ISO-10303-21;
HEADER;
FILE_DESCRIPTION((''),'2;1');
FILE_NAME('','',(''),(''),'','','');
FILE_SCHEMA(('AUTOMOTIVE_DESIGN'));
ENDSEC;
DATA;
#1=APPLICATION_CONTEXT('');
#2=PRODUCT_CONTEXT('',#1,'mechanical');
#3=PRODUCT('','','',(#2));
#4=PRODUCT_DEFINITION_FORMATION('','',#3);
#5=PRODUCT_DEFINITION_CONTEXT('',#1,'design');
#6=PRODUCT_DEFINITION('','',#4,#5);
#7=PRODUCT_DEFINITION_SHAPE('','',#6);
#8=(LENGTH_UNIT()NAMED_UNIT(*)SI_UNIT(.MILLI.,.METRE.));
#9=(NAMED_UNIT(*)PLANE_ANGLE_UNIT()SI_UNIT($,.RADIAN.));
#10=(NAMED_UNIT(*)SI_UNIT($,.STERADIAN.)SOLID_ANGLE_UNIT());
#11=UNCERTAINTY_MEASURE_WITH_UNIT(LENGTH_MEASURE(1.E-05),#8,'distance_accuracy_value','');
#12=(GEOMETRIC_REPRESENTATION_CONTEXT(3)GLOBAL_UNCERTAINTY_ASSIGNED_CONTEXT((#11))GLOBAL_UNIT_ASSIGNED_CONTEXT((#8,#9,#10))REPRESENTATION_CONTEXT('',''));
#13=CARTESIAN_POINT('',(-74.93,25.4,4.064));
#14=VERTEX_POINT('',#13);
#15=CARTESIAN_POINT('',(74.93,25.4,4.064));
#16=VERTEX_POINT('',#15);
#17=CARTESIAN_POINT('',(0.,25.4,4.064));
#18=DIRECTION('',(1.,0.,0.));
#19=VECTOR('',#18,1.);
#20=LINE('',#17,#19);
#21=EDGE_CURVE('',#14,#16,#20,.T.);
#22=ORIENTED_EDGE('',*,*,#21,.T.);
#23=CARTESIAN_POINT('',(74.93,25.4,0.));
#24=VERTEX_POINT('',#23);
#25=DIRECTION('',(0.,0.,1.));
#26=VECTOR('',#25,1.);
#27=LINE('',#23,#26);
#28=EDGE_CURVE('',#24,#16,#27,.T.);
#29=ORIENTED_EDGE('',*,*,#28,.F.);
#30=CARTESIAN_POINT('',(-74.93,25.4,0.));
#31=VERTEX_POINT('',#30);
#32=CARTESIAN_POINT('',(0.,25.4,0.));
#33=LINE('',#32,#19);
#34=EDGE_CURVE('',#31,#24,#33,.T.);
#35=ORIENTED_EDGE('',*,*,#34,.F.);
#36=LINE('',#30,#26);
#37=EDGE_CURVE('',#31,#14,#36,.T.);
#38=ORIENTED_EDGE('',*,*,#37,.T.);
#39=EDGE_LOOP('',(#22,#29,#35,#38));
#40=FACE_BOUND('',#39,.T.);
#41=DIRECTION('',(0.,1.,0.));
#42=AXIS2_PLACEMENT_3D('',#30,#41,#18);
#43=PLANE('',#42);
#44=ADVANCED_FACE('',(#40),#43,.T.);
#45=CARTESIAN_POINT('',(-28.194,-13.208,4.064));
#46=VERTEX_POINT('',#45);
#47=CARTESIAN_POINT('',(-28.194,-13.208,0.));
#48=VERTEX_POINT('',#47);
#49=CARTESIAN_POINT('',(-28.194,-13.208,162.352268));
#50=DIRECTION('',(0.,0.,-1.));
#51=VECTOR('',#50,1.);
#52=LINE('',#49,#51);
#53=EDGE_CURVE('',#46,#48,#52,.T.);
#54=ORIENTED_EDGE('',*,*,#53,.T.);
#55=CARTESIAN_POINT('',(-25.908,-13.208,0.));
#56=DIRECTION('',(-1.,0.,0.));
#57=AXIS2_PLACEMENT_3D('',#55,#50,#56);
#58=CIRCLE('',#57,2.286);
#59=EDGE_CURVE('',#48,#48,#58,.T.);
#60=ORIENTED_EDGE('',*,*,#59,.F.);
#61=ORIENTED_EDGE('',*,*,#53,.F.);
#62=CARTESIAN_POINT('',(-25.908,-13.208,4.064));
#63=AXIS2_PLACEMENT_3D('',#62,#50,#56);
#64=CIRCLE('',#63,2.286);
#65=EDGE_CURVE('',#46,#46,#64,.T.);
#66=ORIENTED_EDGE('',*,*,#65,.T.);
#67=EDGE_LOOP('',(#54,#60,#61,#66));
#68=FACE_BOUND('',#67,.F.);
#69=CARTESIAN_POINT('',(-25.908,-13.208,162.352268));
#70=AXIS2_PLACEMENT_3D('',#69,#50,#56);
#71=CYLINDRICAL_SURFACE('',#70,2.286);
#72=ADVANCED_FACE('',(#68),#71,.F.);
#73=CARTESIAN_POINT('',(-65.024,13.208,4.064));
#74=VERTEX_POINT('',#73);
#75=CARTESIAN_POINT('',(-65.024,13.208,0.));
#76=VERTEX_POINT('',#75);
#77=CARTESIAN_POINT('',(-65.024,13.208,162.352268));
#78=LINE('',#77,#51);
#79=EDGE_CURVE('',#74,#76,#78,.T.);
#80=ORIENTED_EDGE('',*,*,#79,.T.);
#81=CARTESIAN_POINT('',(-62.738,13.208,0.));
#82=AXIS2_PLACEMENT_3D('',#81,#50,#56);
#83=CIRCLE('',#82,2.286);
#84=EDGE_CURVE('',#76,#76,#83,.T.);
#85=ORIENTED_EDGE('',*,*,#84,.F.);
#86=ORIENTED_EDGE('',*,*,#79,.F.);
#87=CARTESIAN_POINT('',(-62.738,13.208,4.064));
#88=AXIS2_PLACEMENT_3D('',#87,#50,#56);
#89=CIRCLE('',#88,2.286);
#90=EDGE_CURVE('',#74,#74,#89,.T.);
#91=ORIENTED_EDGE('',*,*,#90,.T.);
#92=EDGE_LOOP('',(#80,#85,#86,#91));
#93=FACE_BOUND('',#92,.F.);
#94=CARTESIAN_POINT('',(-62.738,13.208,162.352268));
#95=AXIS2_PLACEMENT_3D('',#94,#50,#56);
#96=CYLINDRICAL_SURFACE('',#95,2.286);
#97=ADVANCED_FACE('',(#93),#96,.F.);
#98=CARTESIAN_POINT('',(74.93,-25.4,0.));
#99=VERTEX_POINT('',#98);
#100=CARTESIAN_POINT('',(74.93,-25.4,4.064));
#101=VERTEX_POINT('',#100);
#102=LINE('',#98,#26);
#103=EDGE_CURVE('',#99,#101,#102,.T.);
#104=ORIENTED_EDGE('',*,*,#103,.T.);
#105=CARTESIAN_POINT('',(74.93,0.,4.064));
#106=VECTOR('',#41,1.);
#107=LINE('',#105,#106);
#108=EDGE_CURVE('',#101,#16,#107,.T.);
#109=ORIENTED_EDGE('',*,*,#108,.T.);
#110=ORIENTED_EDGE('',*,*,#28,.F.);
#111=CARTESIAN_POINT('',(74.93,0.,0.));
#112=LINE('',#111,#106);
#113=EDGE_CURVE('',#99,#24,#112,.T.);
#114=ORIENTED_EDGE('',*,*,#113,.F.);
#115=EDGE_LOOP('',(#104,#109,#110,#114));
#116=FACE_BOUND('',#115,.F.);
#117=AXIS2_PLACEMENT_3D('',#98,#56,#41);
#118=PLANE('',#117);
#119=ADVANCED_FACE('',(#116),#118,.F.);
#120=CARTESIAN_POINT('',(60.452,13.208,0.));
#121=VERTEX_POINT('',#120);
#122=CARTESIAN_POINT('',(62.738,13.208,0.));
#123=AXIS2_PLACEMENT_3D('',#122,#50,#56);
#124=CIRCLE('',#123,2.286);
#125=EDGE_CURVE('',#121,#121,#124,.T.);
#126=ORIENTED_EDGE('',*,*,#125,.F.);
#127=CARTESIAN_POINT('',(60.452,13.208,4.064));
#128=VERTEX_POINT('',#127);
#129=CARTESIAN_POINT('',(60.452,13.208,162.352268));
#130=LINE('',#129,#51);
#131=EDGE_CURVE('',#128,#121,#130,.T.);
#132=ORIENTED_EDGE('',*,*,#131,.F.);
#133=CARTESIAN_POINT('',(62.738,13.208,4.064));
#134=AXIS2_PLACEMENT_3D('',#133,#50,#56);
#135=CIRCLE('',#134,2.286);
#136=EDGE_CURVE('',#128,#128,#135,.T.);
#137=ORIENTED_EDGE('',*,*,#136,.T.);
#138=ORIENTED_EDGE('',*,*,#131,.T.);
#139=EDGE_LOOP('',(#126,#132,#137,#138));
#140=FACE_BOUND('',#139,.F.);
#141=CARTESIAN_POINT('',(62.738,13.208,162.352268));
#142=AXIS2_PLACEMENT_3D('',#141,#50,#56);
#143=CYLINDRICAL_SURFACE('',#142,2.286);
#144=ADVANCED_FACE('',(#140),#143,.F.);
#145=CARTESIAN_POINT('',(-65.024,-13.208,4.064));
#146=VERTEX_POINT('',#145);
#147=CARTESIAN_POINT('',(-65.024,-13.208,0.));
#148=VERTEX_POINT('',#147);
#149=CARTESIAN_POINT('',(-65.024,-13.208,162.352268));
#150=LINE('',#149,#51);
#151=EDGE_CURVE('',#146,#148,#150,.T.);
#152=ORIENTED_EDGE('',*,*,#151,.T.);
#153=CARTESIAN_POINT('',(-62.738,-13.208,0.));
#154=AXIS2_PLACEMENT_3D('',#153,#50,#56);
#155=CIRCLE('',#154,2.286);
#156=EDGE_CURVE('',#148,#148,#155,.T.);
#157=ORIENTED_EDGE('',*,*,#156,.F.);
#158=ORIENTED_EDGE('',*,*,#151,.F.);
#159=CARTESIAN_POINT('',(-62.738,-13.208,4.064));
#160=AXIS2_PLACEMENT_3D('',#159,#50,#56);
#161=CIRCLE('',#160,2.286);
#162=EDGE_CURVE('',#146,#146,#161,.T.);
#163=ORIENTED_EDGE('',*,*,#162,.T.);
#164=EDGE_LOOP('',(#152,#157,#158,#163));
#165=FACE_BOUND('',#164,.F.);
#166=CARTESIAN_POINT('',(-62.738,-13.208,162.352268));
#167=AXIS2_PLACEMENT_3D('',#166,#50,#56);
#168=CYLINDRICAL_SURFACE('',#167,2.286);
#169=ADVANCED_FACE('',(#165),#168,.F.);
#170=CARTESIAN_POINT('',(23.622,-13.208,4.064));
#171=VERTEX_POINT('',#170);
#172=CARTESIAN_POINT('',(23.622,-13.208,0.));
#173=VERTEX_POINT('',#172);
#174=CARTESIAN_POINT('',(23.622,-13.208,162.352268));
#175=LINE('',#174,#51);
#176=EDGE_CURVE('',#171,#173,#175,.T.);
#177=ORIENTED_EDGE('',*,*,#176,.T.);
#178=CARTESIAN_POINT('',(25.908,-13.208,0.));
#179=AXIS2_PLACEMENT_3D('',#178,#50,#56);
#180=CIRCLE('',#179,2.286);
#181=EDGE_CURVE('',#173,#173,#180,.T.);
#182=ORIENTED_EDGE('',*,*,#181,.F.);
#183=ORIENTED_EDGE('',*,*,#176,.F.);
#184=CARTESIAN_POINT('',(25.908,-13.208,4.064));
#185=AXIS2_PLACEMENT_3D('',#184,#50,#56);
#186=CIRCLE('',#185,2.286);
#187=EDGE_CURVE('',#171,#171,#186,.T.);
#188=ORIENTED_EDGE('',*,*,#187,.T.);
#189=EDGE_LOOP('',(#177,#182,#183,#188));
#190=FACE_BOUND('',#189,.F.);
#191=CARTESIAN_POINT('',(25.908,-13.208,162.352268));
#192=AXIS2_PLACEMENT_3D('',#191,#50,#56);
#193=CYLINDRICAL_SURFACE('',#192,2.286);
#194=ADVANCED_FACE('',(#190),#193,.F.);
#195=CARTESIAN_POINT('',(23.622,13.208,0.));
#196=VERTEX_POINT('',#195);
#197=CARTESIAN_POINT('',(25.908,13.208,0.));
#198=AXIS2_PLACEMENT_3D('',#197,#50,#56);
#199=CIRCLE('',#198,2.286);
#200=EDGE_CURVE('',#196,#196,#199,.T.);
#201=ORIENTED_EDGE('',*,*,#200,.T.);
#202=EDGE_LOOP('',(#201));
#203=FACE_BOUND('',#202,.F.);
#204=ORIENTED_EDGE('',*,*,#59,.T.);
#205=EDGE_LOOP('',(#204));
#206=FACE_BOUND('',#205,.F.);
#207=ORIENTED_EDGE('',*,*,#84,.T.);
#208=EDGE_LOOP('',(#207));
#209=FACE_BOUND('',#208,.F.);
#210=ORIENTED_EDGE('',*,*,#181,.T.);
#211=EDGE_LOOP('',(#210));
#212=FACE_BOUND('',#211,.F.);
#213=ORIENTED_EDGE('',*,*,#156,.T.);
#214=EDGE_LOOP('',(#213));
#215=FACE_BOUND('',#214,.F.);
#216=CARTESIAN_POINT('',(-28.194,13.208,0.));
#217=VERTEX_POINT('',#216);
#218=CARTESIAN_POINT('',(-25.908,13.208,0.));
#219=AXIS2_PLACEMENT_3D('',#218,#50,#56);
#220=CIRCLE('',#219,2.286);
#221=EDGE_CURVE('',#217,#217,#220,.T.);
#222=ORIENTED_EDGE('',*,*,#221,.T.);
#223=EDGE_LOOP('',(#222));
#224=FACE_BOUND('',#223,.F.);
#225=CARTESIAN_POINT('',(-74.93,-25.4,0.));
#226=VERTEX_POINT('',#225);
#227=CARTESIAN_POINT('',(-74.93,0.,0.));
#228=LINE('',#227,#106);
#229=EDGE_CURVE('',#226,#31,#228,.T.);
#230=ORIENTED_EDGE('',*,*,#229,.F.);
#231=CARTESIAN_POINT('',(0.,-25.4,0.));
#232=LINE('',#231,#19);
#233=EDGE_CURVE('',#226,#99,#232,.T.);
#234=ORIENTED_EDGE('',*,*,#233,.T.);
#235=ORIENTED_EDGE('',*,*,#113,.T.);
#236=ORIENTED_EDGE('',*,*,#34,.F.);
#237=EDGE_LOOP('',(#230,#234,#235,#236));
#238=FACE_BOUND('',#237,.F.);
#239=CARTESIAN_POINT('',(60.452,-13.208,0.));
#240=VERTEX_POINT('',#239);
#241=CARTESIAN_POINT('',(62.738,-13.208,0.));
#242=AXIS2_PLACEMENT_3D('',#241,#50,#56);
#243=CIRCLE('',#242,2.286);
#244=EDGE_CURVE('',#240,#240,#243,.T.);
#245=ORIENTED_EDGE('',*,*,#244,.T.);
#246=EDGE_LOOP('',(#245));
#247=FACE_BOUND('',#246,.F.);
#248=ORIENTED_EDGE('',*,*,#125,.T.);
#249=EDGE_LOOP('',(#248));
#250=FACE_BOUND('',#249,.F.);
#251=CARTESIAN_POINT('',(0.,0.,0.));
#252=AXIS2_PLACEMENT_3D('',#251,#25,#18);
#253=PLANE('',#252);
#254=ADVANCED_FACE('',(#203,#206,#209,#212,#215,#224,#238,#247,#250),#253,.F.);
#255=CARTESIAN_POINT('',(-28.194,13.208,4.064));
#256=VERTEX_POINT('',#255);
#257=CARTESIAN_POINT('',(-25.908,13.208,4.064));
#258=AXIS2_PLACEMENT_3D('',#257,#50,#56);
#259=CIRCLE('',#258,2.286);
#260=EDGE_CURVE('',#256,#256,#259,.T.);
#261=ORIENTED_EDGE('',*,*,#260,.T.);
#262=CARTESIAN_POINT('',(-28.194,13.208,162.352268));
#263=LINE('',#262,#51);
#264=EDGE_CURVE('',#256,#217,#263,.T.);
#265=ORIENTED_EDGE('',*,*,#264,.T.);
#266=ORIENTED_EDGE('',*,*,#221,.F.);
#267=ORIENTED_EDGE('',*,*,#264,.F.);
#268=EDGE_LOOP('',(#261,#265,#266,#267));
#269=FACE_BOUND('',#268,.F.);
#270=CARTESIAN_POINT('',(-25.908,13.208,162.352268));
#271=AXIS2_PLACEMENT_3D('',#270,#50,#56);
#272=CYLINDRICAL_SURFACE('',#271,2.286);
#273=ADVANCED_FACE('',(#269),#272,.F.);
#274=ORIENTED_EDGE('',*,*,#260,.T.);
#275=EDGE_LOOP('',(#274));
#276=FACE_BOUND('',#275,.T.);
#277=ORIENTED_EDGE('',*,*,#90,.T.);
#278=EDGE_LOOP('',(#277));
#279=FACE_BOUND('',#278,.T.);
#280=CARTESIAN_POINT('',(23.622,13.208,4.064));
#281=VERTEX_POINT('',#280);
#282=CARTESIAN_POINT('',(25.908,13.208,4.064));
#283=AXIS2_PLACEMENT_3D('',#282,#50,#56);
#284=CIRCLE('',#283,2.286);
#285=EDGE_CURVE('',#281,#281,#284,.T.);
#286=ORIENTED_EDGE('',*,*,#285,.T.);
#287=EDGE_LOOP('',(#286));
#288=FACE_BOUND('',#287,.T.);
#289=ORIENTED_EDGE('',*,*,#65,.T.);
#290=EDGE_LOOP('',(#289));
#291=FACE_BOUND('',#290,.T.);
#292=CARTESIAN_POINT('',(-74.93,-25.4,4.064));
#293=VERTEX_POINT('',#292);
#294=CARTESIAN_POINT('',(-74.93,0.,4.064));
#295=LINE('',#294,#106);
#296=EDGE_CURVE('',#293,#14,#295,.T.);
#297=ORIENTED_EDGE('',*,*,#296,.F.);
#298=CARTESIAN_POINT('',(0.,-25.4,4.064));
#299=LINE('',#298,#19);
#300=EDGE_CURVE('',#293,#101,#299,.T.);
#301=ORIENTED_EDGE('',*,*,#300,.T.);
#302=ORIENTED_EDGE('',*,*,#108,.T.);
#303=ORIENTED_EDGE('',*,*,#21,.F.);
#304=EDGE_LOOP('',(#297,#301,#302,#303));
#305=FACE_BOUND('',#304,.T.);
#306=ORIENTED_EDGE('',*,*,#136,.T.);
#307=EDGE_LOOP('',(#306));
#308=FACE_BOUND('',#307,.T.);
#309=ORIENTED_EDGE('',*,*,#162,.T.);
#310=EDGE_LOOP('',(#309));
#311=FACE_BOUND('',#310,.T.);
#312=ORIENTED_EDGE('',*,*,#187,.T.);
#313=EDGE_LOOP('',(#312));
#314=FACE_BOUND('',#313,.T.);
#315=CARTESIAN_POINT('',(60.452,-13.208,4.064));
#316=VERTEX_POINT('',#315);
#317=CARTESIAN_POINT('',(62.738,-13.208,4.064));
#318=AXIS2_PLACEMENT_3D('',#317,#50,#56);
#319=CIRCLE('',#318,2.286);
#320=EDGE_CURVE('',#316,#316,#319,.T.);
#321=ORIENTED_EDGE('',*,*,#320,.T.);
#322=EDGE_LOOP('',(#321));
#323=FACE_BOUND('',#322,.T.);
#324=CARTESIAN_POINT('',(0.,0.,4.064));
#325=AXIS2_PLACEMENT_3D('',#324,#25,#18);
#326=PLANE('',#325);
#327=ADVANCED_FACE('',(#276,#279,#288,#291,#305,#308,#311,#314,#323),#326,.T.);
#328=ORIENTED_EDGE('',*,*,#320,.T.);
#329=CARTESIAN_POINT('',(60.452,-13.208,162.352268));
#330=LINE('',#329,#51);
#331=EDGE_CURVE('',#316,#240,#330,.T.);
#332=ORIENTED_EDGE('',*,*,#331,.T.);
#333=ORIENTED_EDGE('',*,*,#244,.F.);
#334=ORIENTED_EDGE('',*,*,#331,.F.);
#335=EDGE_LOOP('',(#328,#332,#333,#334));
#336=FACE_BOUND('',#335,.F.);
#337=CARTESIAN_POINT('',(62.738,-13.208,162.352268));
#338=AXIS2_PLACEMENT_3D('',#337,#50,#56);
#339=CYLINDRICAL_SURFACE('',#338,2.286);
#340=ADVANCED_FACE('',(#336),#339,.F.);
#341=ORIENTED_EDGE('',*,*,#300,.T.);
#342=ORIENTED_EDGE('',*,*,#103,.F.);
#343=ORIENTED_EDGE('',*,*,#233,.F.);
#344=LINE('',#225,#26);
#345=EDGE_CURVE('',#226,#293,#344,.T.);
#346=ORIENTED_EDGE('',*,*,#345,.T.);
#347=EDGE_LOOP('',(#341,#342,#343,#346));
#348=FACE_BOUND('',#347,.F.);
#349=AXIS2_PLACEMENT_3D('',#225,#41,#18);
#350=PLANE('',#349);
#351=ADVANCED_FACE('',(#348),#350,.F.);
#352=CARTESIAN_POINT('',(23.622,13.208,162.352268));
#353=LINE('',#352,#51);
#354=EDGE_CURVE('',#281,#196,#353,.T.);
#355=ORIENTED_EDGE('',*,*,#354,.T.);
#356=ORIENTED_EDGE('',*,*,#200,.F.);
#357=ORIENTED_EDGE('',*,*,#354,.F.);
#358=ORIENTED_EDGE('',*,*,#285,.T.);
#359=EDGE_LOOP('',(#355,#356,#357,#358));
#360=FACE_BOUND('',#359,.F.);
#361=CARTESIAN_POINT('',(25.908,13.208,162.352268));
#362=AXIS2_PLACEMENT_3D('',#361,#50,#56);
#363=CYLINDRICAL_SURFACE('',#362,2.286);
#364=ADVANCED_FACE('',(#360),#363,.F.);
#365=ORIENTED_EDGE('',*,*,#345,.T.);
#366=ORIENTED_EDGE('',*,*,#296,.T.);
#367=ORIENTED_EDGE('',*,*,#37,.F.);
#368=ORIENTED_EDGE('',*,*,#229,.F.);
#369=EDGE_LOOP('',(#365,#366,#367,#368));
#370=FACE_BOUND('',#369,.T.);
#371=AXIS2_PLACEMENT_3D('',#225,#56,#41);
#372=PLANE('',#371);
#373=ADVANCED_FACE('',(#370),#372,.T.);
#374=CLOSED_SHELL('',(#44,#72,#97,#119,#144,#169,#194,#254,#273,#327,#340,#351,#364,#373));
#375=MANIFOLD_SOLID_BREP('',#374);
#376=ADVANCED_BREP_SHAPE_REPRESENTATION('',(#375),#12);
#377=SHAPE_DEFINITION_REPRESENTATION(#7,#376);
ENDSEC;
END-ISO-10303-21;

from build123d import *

# Parameters (mm, degrees)
F0_W     = 149.86
F0_H     = 50.8
F1_DEPTH = 4.064
F3_D     = 4.572


with BuildPart() as f1:
    # F0 (on Top) → F1 (new body)
    with BuildSketch(Plane.XY):
        Rectangle(F0_W, F0_H)
    extrude(amount=F1_DEPTH)

    # F3 (through all)
    with Locations(Plane.XY.offset(4.064)):
        with Locations((-62.738, 13.208), (-25.908, 13.208), (-25.908, -13.208), (-62.738, -13.208), (25.908, 13.208), (62.738, 13.208), (62.738, -13.208), (25.908, -13.208)):
            Hole(F3_D / 2)


solid = f1.part
